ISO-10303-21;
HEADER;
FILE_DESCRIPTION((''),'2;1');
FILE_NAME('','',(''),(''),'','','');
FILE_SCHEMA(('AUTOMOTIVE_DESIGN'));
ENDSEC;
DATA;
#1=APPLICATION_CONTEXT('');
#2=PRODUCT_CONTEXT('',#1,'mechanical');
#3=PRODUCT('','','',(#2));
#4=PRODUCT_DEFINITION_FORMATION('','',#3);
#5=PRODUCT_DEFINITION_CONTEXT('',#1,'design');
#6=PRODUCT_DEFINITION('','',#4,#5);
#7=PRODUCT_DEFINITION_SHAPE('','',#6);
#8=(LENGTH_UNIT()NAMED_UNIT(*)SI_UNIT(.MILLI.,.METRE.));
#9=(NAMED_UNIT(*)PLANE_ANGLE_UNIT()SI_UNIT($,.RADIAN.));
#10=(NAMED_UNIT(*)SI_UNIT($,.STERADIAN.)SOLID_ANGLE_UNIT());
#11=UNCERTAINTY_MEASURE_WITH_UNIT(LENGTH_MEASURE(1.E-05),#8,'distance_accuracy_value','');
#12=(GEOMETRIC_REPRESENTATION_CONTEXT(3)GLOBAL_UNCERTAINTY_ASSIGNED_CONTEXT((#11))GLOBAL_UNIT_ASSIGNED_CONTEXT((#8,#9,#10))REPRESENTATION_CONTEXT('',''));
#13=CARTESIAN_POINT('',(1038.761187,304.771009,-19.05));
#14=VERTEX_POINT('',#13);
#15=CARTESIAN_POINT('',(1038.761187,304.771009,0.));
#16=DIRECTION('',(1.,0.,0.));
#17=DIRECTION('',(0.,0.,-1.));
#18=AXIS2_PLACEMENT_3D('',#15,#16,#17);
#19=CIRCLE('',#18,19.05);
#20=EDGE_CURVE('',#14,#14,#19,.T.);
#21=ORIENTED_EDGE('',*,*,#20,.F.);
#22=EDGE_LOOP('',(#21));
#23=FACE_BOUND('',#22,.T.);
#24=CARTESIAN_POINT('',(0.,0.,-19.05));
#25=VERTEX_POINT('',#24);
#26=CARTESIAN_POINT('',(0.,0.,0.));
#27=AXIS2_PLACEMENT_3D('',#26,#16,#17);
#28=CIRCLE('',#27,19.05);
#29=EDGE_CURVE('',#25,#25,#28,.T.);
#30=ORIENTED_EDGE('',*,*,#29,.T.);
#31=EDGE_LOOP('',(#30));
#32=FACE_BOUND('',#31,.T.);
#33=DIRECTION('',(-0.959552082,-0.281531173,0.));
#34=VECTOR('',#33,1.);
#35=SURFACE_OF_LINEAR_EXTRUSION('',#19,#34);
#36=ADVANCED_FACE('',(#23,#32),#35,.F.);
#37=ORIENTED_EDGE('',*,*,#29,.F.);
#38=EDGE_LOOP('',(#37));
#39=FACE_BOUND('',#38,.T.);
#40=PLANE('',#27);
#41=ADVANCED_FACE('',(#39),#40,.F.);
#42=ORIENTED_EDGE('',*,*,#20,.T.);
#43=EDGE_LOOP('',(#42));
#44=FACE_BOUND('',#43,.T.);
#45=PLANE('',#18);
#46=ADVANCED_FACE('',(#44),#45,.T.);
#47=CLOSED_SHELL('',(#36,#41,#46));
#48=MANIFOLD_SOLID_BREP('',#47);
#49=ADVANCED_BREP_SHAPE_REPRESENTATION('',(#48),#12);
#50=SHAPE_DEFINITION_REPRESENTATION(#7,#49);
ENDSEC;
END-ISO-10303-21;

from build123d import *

# Parameters (mm, degrees)
SKETCH1_R           = 19.05
BOSS_EXTRUDE1_DEPTH = 1082.548


with BuildPart() as part:
    # Sketch1 → Boss-Extrude1 (new body, along a direction that is not the sketch's normal)
    with BuildSketch(Plane(origin=(0, 0, 0), x_dir=(0, 0, -1), z_dir=(1, 0, 0))):
        Circle(SKETCH1_R)
    extrude(amount=BOSS_EXTRUDE1_DEPTH, dir=(0.959552082, 0.281531173, 0))


solid = part.part
